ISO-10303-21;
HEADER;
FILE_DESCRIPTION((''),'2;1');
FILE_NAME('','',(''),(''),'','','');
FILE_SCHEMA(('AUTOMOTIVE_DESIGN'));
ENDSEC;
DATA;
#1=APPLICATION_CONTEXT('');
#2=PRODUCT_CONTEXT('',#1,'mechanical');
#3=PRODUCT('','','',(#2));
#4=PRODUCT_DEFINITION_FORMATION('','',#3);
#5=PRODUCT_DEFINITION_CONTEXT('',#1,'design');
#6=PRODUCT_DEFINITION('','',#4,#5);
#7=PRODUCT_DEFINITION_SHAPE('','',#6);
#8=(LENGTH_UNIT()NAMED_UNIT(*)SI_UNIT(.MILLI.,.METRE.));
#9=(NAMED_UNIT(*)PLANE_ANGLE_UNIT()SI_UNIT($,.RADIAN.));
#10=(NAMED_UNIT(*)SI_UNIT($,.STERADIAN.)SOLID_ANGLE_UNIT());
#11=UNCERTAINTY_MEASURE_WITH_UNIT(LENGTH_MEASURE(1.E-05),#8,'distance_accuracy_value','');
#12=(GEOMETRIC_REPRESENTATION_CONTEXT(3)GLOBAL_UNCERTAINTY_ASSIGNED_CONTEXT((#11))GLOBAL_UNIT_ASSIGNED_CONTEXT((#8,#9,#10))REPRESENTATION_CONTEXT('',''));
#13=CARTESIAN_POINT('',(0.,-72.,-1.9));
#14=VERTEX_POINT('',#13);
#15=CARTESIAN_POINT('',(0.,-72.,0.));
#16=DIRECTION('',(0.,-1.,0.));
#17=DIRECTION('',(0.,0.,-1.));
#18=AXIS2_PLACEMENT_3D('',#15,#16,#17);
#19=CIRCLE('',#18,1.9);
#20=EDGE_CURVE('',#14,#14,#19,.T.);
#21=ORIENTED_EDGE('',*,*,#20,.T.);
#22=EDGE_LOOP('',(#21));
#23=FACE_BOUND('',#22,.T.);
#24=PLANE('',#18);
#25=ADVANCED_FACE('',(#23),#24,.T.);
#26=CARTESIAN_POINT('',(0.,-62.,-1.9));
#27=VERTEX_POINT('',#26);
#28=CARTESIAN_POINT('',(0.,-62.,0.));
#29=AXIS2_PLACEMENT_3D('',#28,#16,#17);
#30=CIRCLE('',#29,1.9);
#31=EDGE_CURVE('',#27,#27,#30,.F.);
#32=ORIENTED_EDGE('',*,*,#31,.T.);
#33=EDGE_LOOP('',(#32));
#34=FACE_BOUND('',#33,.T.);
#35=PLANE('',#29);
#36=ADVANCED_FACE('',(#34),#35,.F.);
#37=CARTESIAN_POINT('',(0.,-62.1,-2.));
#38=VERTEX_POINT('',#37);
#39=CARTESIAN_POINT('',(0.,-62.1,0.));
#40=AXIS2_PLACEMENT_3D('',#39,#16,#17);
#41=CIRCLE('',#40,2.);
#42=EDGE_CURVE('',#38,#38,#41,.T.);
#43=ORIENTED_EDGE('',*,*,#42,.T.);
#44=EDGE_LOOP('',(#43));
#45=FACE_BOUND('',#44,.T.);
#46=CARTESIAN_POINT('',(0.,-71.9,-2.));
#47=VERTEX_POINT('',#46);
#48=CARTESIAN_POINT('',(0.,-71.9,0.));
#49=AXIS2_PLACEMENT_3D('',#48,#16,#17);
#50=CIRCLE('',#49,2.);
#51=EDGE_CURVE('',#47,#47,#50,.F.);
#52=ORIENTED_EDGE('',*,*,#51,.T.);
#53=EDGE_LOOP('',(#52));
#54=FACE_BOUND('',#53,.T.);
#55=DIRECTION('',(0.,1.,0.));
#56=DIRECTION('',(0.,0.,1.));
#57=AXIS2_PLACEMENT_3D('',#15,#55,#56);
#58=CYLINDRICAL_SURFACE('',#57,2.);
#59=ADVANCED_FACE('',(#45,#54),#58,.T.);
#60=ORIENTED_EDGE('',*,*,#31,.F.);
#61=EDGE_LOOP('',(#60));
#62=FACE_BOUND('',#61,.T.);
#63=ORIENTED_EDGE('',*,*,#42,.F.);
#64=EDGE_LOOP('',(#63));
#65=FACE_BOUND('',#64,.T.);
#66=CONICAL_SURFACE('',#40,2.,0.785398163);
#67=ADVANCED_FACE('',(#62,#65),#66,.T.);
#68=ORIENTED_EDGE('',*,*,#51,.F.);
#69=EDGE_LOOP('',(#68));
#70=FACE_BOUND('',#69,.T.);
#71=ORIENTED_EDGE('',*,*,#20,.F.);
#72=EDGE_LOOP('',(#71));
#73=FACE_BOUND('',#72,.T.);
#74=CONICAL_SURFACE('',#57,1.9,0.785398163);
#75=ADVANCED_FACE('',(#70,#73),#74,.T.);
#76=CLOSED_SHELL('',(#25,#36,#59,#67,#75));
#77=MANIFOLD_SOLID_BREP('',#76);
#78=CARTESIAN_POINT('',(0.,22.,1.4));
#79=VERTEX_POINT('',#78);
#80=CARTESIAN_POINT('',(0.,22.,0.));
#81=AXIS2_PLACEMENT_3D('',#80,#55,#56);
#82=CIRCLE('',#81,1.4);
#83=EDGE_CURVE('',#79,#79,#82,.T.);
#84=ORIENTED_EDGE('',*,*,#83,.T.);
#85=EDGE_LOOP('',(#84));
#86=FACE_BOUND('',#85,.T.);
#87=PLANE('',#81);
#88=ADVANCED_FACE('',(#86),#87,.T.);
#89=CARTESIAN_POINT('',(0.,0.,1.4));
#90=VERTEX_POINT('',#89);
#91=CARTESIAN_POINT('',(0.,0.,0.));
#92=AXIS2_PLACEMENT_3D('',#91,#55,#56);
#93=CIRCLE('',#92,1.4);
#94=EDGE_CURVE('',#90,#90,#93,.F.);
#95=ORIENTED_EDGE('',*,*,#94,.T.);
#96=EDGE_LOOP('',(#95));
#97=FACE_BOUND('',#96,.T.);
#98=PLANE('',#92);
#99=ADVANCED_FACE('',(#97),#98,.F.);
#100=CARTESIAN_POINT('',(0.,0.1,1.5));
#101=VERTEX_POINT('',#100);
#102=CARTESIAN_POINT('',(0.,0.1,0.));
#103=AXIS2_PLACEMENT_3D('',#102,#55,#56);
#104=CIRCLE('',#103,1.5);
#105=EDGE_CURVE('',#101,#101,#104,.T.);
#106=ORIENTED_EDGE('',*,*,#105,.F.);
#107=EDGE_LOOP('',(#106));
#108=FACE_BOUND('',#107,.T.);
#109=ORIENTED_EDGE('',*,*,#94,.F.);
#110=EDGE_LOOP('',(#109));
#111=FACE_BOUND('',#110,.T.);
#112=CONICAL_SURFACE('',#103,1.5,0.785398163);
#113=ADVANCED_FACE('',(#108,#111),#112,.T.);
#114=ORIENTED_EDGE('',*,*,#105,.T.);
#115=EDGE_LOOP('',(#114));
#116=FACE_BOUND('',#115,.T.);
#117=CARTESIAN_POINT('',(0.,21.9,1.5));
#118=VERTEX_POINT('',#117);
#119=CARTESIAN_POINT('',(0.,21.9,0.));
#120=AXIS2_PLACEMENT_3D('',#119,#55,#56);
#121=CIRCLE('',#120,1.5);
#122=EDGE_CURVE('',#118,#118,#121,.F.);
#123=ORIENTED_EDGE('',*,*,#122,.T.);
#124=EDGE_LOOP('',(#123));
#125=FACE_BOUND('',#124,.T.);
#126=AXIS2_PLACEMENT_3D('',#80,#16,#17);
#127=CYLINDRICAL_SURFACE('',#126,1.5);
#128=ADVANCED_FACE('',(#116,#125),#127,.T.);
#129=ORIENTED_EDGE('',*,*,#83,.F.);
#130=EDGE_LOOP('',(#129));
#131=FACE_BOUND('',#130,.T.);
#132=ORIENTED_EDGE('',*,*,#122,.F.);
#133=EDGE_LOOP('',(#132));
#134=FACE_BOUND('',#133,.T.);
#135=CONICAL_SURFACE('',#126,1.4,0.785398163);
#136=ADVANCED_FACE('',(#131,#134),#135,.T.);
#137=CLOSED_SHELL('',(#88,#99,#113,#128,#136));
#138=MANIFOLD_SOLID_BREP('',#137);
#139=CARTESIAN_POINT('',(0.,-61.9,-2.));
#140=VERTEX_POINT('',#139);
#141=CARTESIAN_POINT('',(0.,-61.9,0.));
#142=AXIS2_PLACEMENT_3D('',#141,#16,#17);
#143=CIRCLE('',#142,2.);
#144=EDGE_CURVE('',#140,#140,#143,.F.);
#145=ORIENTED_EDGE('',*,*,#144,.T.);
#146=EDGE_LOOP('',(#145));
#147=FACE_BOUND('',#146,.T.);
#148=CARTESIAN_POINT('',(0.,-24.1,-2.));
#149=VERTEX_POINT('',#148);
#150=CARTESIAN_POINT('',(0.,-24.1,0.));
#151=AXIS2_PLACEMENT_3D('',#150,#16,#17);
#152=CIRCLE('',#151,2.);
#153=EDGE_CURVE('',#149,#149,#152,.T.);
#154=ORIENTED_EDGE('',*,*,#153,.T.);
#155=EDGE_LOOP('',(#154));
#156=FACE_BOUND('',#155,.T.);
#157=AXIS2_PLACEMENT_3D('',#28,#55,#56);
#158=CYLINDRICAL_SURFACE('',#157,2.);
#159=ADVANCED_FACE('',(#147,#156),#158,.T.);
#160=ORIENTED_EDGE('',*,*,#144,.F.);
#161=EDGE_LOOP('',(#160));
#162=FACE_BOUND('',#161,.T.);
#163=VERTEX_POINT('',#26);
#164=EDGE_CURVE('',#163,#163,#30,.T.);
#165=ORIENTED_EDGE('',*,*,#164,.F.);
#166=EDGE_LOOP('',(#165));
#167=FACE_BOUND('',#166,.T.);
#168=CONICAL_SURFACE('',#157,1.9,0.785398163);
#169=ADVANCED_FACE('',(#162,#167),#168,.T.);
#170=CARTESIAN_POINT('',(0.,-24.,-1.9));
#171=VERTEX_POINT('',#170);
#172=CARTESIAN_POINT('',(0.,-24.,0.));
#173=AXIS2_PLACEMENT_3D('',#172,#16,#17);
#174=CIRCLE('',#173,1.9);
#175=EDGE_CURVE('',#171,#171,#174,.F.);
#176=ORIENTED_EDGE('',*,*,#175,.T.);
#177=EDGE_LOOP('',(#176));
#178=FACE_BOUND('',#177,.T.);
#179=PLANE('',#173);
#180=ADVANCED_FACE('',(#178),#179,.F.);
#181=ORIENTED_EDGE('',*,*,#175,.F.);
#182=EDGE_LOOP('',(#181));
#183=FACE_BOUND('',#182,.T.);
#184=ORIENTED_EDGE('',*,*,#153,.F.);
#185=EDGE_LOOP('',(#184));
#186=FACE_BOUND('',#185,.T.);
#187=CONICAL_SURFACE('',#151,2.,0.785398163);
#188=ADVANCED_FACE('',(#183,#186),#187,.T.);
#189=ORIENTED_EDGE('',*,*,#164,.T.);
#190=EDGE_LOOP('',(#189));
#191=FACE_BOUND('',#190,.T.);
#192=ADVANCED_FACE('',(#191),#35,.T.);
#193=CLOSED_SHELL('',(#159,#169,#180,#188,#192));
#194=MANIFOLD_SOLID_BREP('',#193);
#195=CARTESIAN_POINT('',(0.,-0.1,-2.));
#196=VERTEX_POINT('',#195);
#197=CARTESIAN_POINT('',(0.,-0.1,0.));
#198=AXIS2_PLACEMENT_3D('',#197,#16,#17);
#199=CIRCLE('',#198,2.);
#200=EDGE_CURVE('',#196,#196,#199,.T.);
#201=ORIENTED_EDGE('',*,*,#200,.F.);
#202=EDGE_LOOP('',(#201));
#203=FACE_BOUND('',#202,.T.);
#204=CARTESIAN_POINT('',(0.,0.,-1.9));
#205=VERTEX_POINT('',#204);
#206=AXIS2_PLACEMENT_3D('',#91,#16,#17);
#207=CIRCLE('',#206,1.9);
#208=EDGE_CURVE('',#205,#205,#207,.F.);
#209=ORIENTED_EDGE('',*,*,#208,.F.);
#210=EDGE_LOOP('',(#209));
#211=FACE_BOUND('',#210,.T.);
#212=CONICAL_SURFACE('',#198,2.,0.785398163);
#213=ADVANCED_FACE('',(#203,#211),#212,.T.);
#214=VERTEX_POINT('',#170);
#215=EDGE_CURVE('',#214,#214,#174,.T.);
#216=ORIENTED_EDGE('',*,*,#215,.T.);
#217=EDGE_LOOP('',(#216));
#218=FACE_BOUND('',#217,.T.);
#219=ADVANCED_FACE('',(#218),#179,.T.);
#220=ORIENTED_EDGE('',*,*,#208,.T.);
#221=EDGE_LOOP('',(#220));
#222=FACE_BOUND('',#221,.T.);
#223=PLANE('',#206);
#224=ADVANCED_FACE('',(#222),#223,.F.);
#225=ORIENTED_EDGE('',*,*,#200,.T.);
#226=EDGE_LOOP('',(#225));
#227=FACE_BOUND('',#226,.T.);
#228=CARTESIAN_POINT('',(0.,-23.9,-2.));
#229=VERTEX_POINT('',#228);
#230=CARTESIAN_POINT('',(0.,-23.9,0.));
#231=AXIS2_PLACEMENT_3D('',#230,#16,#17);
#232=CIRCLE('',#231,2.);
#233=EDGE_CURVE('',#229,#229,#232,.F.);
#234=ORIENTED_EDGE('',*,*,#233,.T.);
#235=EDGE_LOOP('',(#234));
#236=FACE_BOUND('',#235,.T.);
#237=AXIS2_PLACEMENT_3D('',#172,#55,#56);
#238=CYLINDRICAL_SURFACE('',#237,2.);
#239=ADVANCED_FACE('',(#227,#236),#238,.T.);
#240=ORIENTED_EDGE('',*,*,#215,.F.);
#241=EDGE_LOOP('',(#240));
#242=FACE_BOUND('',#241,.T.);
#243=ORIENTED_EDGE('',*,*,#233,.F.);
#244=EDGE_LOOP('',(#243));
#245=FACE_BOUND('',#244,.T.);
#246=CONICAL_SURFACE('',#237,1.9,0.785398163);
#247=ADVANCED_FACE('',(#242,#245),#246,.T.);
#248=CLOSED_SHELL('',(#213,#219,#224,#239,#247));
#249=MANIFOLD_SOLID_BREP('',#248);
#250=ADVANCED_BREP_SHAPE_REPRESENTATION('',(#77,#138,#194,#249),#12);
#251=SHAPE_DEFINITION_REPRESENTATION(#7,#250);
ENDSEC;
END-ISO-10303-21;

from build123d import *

# Parameters (mm, degrees)
SKETCH1_R           = 1.5
BOSS_EXTRUDE1_DEPTH = 22
SKETCH2_R           = 2
BOSS_EXTRUDE2_DEPTH = 24
SKETCH3_R           = 2
BOSS_EXTRUDE3_DEPTH = 38
SKETCH4_R           = 2
BOSS_EXTRUDE4_DEPTH = 10
CHAMFER1_SIZE       = 0.1
CHAMFER2_SIZE       = 0.1
CHAMFER3_SIZE       = 0.1
CHAMFER4_SIZE       = 0.1


with BuildPart() as part:
    # Sketch1 → Boss-Extrude1 (new body)
    with BuildSketch(Plane(origin=(0, 0, 0), x_dir=(1, 0, 0), z_dir=(0, 1, 0))):
        with Locations(Location((0, 0, 0), (0, 0, 270))):
            Circle(SKETCH1_R)
    extrude(amount=BOSS_EXTRUDE1_DEPTH)

    # Chamfer4
    chamfer4_edges = [part.edges().sort_by_distance(p)[0] for p in [
        (0, 0, -1.5),
        (0, 22, -1.5),
    ]]
    chamfer(chamfer4_edges, length=CHAMFER4_SIZE)


with BuildPart() as body_2:
    # Sketch2 → Boss-Extrude2 (new body)
    with BuildSketch(Plane.XZ):
        with Locations(Location((0, 0, 0), (0, 0, 270))):
            Circle(SKETCH2_R)
    extrude(amount=BOSS_EXTRUDE2_DEPTH)

    # Chamfer3
    chamfer3_edges = [body_2.edges().sort_by_distance(p)[0] for p in [
        (0, 0, 2),
        (0, -24, 2),
    ]]
    chamfer(chamfer3_edges, length=CHAMFER3_SIZE)


with BuildPart() as body_3:
    # Sketch3 → Boss-Extrude3 (new body)
    with BuildSketch(Plane.XZ.offset(24)):
        with Locations(Location((0, 0, 0), (0, 0, 270))):
            Circle(SKETCH3_R)
    extrude(amount=BOSS_EXTRUDE3_DEPTH)

    # Chamfer2
    chamfer2_edges = [body_3.edges().sort_by_distance(p)[0] for p in [
        (0, -24, 2),
        (0, -62, 2),
    ]]
    chamfer(chamfer2_edges, length=CHAMFER2_SIZE)


with BuildPart() as body_4:
    # Sketch4 → Boss-Extrude4 (new body)
    with BuildSketch(Plane.XZ.offset(62)):
        with Locations(Location((0, 0, 0), (0, 0, 270))):
            Circle(SKETCH4_R)
    extrude(amount=BOSS_EXTRUDE4_DEPTH)

    # Chamfer1
    chamfer1_edges = [body_4.edges().sort_by_distance(p)[0] for p in [
        (0, -62, 2),
        (0, -72, 2),
    ]]
    chamfer(chamfer1_edges, length=CHAMFER1_SIZE)


solid = Compound([part.part, body_2.part, body_3.part, body_4.part])
